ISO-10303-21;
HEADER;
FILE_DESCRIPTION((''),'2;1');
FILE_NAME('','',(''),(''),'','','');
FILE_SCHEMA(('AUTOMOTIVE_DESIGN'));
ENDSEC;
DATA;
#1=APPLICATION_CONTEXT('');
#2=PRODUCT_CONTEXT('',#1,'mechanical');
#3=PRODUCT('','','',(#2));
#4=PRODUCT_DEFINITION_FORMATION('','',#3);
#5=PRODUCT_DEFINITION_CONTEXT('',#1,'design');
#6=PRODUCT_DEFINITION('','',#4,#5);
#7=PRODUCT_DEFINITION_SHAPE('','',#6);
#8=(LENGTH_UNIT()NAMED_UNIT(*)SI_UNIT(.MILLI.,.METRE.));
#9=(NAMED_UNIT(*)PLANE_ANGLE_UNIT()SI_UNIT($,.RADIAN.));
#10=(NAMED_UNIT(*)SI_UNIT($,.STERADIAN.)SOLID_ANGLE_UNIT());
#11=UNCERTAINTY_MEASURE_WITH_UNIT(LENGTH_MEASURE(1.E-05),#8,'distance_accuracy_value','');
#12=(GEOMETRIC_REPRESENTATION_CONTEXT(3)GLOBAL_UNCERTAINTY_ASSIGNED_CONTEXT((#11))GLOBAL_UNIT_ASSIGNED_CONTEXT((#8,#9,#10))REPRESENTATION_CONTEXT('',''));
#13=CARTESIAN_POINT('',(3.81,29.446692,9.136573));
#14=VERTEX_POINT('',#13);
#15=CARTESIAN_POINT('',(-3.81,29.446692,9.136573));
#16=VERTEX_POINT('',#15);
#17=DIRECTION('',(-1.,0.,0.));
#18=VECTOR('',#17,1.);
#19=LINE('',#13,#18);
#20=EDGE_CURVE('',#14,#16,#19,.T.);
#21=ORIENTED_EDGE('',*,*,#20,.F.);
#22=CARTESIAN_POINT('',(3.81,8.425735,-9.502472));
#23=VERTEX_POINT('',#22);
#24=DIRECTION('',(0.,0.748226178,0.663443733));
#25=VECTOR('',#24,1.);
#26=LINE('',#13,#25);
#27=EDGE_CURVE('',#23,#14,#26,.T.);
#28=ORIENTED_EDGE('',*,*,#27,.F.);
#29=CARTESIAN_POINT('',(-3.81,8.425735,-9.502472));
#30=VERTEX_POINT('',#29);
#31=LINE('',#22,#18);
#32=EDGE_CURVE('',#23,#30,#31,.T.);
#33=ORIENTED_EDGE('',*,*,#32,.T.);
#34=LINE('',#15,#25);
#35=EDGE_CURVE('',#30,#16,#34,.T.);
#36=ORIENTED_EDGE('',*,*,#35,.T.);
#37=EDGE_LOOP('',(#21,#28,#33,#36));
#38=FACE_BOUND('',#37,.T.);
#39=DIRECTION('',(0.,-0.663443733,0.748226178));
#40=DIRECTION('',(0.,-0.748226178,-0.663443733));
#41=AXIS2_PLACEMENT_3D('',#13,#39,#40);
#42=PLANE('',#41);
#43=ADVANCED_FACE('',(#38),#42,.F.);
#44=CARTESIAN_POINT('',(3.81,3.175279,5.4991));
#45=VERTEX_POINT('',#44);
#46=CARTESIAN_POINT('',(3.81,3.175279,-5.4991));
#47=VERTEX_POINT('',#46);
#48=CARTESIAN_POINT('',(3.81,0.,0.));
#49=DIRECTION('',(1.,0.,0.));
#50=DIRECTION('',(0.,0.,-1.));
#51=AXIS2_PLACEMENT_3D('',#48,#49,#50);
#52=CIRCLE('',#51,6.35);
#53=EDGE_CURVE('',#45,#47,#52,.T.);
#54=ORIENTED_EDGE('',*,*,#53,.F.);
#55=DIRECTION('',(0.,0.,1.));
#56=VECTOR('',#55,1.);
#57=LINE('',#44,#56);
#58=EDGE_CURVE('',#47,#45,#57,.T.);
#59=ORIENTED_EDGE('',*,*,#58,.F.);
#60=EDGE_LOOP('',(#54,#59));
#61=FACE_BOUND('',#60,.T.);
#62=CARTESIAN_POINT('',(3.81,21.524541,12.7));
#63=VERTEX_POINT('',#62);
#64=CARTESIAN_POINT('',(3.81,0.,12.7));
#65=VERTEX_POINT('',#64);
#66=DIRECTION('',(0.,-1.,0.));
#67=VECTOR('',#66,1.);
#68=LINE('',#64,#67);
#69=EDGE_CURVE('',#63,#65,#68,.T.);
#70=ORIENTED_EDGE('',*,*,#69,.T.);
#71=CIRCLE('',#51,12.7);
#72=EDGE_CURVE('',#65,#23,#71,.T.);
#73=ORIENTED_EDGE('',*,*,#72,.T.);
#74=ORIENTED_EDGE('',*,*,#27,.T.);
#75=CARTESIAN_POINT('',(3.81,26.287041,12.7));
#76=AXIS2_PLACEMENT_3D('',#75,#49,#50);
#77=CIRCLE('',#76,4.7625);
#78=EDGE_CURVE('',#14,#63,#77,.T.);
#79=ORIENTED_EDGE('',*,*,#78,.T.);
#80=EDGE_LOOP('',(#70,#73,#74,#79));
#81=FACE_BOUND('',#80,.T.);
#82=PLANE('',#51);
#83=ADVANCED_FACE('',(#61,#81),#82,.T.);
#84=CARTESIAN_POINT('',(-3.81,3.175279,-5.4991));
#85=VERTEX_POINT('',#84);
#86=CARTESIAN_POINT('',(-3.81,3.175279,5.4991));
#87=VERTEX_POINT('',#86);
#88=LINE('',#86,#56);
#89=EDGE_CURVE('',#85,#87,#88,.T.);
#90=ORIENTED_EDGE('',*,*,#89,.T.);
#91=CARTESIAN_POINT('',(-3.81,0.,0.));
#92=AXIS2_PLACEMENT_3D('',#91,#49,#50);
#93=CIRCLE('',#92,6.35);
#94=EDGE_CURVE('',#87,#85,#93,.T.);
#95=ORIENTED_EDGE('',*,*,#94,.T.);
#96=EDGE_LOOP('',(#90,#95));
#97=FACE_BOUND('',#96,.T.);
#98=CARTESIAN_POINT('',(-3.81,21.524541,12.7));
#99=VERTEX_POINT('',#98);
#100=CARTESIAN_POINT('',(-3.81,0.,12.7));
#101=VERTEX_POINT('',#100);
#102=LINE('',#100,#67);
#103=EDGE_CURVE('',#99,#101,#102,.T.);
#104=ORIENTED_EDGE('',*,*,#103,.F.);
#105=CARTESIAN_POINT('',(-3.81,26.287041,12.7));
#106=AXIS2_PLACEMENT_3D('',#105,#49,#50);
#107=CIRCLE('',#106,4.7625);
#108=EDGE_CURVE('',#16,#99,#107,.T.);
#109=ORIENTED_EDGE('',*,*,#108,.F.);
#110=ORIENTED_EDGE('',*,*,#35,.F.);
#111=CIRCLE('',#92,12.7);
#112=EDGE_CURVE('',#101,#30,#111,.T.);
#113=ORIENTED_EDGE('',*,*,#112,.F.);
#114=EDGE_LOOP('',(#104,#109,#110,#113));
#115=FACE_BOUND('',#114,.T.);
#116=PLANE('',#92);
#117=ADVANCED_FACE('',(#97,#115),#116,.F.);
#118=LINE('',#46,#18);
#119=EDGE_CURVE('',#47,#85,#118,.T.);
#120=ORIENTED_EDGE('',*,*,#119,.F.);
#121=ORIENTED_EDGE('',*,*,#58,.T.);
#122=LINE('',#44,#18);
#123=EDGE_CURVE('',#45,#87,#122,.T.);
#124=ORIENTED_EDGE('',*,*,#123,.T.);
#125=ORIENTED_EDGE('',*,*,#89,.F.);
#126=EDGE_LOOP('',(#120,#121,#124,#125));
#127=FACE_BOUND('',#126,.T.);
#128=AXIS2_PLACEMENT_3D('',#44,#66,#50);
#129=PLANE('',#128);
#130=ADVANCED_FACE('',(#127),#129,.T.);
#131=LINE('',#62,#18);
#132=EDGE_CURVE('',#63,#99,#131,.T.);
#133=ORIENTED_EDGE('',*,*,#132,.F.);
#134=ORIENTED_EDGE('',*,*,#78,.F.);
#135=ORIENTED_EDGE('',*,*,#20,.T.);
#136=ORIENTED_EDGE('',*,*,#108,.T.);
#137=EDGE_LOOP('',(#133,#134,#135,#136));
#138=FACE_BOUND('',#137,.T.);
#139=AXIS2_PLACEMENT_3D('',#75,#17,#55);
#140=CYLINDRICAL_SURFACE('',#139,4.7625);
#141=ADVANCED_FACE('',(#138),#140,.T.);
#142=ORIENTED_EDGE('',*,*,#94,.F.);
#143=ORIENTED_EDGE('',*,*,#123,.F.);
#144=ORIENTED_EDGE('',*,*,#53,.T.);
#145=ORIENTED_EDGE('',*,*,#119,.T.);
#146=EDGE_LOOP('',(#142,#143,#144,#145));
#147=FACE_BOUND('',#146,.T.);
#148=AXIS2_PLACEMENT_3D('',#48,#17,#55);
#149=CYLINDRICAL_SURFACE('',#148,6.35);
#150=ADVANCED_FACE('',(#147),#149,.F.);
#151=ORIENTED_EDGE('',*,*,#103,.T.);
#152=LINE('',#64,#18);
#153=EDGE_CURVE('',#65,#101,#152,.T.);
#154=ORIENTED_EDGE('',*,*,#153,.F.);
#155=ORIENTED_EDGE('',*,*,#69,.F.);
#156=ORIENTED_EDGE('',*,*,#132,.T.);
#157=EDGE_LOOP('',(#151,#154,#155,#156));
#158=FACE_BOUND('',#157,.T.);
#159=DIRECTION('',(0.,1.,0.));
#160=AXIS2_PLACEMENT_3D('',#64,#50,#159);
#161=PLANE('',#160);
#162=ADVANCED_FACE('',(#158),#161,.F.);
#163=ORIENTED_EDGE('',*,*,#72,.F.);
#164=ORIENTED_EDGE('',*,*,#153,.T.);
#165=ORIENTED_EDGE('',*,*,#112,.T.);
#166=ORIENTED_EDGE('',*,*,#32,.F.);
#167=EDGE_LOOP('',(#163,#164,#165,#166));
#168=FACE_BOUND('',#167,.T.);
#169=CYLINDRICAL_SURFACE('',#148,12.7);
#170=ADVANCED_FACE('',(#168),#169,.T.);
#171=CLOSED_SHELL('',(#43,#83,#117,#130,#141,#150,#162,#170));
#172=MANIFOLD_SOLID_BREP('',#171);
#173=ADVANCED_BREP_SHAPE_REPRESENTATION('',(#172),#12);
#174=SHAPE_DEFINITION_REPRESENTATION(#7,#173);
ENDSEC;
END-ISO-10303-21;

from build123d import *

# Parameters (mm, degrees)
BOSS_EXTRUDE1_DEPTH = 3.81


with BuildPart() as part:
    # Sketch1 → Boss-Extrude1 (new, symmetric)
    with BuildSketch(Plane(origin=(0, 0, 0), x_dir=(0, 0, -1), z_dir=(1, 0, 0))):
        with BuildLine():
            Line((-12.7, 0), (-12.7, 21.524540775))
            ThreePointArc((-12.7, 21.524540775), (-17.043342208, 28.240700088), (-9.136572828, 29.446691553))
            Line((-9.136572828, 29.446691553), (9.502472459, 8.425735408))
            ThreePointArc((9.502472459, 8.425735408), (4.506029281, -11.873739938), (-12.7, 0))
        make_face()
        with BuildLine():
            Line((-5.4991, 3.175279388), (5.4991, 3.175279388))
            ThreePointArc((5.4991, 3.175279388), (0, -6.35), (-5.4991, 3.175279388))
        make_face(mode=Mode.SUBTRACT)
    extrude(amount=BOSS_EXTRUDE1_DEPTH, both=True)


solid = part.part
